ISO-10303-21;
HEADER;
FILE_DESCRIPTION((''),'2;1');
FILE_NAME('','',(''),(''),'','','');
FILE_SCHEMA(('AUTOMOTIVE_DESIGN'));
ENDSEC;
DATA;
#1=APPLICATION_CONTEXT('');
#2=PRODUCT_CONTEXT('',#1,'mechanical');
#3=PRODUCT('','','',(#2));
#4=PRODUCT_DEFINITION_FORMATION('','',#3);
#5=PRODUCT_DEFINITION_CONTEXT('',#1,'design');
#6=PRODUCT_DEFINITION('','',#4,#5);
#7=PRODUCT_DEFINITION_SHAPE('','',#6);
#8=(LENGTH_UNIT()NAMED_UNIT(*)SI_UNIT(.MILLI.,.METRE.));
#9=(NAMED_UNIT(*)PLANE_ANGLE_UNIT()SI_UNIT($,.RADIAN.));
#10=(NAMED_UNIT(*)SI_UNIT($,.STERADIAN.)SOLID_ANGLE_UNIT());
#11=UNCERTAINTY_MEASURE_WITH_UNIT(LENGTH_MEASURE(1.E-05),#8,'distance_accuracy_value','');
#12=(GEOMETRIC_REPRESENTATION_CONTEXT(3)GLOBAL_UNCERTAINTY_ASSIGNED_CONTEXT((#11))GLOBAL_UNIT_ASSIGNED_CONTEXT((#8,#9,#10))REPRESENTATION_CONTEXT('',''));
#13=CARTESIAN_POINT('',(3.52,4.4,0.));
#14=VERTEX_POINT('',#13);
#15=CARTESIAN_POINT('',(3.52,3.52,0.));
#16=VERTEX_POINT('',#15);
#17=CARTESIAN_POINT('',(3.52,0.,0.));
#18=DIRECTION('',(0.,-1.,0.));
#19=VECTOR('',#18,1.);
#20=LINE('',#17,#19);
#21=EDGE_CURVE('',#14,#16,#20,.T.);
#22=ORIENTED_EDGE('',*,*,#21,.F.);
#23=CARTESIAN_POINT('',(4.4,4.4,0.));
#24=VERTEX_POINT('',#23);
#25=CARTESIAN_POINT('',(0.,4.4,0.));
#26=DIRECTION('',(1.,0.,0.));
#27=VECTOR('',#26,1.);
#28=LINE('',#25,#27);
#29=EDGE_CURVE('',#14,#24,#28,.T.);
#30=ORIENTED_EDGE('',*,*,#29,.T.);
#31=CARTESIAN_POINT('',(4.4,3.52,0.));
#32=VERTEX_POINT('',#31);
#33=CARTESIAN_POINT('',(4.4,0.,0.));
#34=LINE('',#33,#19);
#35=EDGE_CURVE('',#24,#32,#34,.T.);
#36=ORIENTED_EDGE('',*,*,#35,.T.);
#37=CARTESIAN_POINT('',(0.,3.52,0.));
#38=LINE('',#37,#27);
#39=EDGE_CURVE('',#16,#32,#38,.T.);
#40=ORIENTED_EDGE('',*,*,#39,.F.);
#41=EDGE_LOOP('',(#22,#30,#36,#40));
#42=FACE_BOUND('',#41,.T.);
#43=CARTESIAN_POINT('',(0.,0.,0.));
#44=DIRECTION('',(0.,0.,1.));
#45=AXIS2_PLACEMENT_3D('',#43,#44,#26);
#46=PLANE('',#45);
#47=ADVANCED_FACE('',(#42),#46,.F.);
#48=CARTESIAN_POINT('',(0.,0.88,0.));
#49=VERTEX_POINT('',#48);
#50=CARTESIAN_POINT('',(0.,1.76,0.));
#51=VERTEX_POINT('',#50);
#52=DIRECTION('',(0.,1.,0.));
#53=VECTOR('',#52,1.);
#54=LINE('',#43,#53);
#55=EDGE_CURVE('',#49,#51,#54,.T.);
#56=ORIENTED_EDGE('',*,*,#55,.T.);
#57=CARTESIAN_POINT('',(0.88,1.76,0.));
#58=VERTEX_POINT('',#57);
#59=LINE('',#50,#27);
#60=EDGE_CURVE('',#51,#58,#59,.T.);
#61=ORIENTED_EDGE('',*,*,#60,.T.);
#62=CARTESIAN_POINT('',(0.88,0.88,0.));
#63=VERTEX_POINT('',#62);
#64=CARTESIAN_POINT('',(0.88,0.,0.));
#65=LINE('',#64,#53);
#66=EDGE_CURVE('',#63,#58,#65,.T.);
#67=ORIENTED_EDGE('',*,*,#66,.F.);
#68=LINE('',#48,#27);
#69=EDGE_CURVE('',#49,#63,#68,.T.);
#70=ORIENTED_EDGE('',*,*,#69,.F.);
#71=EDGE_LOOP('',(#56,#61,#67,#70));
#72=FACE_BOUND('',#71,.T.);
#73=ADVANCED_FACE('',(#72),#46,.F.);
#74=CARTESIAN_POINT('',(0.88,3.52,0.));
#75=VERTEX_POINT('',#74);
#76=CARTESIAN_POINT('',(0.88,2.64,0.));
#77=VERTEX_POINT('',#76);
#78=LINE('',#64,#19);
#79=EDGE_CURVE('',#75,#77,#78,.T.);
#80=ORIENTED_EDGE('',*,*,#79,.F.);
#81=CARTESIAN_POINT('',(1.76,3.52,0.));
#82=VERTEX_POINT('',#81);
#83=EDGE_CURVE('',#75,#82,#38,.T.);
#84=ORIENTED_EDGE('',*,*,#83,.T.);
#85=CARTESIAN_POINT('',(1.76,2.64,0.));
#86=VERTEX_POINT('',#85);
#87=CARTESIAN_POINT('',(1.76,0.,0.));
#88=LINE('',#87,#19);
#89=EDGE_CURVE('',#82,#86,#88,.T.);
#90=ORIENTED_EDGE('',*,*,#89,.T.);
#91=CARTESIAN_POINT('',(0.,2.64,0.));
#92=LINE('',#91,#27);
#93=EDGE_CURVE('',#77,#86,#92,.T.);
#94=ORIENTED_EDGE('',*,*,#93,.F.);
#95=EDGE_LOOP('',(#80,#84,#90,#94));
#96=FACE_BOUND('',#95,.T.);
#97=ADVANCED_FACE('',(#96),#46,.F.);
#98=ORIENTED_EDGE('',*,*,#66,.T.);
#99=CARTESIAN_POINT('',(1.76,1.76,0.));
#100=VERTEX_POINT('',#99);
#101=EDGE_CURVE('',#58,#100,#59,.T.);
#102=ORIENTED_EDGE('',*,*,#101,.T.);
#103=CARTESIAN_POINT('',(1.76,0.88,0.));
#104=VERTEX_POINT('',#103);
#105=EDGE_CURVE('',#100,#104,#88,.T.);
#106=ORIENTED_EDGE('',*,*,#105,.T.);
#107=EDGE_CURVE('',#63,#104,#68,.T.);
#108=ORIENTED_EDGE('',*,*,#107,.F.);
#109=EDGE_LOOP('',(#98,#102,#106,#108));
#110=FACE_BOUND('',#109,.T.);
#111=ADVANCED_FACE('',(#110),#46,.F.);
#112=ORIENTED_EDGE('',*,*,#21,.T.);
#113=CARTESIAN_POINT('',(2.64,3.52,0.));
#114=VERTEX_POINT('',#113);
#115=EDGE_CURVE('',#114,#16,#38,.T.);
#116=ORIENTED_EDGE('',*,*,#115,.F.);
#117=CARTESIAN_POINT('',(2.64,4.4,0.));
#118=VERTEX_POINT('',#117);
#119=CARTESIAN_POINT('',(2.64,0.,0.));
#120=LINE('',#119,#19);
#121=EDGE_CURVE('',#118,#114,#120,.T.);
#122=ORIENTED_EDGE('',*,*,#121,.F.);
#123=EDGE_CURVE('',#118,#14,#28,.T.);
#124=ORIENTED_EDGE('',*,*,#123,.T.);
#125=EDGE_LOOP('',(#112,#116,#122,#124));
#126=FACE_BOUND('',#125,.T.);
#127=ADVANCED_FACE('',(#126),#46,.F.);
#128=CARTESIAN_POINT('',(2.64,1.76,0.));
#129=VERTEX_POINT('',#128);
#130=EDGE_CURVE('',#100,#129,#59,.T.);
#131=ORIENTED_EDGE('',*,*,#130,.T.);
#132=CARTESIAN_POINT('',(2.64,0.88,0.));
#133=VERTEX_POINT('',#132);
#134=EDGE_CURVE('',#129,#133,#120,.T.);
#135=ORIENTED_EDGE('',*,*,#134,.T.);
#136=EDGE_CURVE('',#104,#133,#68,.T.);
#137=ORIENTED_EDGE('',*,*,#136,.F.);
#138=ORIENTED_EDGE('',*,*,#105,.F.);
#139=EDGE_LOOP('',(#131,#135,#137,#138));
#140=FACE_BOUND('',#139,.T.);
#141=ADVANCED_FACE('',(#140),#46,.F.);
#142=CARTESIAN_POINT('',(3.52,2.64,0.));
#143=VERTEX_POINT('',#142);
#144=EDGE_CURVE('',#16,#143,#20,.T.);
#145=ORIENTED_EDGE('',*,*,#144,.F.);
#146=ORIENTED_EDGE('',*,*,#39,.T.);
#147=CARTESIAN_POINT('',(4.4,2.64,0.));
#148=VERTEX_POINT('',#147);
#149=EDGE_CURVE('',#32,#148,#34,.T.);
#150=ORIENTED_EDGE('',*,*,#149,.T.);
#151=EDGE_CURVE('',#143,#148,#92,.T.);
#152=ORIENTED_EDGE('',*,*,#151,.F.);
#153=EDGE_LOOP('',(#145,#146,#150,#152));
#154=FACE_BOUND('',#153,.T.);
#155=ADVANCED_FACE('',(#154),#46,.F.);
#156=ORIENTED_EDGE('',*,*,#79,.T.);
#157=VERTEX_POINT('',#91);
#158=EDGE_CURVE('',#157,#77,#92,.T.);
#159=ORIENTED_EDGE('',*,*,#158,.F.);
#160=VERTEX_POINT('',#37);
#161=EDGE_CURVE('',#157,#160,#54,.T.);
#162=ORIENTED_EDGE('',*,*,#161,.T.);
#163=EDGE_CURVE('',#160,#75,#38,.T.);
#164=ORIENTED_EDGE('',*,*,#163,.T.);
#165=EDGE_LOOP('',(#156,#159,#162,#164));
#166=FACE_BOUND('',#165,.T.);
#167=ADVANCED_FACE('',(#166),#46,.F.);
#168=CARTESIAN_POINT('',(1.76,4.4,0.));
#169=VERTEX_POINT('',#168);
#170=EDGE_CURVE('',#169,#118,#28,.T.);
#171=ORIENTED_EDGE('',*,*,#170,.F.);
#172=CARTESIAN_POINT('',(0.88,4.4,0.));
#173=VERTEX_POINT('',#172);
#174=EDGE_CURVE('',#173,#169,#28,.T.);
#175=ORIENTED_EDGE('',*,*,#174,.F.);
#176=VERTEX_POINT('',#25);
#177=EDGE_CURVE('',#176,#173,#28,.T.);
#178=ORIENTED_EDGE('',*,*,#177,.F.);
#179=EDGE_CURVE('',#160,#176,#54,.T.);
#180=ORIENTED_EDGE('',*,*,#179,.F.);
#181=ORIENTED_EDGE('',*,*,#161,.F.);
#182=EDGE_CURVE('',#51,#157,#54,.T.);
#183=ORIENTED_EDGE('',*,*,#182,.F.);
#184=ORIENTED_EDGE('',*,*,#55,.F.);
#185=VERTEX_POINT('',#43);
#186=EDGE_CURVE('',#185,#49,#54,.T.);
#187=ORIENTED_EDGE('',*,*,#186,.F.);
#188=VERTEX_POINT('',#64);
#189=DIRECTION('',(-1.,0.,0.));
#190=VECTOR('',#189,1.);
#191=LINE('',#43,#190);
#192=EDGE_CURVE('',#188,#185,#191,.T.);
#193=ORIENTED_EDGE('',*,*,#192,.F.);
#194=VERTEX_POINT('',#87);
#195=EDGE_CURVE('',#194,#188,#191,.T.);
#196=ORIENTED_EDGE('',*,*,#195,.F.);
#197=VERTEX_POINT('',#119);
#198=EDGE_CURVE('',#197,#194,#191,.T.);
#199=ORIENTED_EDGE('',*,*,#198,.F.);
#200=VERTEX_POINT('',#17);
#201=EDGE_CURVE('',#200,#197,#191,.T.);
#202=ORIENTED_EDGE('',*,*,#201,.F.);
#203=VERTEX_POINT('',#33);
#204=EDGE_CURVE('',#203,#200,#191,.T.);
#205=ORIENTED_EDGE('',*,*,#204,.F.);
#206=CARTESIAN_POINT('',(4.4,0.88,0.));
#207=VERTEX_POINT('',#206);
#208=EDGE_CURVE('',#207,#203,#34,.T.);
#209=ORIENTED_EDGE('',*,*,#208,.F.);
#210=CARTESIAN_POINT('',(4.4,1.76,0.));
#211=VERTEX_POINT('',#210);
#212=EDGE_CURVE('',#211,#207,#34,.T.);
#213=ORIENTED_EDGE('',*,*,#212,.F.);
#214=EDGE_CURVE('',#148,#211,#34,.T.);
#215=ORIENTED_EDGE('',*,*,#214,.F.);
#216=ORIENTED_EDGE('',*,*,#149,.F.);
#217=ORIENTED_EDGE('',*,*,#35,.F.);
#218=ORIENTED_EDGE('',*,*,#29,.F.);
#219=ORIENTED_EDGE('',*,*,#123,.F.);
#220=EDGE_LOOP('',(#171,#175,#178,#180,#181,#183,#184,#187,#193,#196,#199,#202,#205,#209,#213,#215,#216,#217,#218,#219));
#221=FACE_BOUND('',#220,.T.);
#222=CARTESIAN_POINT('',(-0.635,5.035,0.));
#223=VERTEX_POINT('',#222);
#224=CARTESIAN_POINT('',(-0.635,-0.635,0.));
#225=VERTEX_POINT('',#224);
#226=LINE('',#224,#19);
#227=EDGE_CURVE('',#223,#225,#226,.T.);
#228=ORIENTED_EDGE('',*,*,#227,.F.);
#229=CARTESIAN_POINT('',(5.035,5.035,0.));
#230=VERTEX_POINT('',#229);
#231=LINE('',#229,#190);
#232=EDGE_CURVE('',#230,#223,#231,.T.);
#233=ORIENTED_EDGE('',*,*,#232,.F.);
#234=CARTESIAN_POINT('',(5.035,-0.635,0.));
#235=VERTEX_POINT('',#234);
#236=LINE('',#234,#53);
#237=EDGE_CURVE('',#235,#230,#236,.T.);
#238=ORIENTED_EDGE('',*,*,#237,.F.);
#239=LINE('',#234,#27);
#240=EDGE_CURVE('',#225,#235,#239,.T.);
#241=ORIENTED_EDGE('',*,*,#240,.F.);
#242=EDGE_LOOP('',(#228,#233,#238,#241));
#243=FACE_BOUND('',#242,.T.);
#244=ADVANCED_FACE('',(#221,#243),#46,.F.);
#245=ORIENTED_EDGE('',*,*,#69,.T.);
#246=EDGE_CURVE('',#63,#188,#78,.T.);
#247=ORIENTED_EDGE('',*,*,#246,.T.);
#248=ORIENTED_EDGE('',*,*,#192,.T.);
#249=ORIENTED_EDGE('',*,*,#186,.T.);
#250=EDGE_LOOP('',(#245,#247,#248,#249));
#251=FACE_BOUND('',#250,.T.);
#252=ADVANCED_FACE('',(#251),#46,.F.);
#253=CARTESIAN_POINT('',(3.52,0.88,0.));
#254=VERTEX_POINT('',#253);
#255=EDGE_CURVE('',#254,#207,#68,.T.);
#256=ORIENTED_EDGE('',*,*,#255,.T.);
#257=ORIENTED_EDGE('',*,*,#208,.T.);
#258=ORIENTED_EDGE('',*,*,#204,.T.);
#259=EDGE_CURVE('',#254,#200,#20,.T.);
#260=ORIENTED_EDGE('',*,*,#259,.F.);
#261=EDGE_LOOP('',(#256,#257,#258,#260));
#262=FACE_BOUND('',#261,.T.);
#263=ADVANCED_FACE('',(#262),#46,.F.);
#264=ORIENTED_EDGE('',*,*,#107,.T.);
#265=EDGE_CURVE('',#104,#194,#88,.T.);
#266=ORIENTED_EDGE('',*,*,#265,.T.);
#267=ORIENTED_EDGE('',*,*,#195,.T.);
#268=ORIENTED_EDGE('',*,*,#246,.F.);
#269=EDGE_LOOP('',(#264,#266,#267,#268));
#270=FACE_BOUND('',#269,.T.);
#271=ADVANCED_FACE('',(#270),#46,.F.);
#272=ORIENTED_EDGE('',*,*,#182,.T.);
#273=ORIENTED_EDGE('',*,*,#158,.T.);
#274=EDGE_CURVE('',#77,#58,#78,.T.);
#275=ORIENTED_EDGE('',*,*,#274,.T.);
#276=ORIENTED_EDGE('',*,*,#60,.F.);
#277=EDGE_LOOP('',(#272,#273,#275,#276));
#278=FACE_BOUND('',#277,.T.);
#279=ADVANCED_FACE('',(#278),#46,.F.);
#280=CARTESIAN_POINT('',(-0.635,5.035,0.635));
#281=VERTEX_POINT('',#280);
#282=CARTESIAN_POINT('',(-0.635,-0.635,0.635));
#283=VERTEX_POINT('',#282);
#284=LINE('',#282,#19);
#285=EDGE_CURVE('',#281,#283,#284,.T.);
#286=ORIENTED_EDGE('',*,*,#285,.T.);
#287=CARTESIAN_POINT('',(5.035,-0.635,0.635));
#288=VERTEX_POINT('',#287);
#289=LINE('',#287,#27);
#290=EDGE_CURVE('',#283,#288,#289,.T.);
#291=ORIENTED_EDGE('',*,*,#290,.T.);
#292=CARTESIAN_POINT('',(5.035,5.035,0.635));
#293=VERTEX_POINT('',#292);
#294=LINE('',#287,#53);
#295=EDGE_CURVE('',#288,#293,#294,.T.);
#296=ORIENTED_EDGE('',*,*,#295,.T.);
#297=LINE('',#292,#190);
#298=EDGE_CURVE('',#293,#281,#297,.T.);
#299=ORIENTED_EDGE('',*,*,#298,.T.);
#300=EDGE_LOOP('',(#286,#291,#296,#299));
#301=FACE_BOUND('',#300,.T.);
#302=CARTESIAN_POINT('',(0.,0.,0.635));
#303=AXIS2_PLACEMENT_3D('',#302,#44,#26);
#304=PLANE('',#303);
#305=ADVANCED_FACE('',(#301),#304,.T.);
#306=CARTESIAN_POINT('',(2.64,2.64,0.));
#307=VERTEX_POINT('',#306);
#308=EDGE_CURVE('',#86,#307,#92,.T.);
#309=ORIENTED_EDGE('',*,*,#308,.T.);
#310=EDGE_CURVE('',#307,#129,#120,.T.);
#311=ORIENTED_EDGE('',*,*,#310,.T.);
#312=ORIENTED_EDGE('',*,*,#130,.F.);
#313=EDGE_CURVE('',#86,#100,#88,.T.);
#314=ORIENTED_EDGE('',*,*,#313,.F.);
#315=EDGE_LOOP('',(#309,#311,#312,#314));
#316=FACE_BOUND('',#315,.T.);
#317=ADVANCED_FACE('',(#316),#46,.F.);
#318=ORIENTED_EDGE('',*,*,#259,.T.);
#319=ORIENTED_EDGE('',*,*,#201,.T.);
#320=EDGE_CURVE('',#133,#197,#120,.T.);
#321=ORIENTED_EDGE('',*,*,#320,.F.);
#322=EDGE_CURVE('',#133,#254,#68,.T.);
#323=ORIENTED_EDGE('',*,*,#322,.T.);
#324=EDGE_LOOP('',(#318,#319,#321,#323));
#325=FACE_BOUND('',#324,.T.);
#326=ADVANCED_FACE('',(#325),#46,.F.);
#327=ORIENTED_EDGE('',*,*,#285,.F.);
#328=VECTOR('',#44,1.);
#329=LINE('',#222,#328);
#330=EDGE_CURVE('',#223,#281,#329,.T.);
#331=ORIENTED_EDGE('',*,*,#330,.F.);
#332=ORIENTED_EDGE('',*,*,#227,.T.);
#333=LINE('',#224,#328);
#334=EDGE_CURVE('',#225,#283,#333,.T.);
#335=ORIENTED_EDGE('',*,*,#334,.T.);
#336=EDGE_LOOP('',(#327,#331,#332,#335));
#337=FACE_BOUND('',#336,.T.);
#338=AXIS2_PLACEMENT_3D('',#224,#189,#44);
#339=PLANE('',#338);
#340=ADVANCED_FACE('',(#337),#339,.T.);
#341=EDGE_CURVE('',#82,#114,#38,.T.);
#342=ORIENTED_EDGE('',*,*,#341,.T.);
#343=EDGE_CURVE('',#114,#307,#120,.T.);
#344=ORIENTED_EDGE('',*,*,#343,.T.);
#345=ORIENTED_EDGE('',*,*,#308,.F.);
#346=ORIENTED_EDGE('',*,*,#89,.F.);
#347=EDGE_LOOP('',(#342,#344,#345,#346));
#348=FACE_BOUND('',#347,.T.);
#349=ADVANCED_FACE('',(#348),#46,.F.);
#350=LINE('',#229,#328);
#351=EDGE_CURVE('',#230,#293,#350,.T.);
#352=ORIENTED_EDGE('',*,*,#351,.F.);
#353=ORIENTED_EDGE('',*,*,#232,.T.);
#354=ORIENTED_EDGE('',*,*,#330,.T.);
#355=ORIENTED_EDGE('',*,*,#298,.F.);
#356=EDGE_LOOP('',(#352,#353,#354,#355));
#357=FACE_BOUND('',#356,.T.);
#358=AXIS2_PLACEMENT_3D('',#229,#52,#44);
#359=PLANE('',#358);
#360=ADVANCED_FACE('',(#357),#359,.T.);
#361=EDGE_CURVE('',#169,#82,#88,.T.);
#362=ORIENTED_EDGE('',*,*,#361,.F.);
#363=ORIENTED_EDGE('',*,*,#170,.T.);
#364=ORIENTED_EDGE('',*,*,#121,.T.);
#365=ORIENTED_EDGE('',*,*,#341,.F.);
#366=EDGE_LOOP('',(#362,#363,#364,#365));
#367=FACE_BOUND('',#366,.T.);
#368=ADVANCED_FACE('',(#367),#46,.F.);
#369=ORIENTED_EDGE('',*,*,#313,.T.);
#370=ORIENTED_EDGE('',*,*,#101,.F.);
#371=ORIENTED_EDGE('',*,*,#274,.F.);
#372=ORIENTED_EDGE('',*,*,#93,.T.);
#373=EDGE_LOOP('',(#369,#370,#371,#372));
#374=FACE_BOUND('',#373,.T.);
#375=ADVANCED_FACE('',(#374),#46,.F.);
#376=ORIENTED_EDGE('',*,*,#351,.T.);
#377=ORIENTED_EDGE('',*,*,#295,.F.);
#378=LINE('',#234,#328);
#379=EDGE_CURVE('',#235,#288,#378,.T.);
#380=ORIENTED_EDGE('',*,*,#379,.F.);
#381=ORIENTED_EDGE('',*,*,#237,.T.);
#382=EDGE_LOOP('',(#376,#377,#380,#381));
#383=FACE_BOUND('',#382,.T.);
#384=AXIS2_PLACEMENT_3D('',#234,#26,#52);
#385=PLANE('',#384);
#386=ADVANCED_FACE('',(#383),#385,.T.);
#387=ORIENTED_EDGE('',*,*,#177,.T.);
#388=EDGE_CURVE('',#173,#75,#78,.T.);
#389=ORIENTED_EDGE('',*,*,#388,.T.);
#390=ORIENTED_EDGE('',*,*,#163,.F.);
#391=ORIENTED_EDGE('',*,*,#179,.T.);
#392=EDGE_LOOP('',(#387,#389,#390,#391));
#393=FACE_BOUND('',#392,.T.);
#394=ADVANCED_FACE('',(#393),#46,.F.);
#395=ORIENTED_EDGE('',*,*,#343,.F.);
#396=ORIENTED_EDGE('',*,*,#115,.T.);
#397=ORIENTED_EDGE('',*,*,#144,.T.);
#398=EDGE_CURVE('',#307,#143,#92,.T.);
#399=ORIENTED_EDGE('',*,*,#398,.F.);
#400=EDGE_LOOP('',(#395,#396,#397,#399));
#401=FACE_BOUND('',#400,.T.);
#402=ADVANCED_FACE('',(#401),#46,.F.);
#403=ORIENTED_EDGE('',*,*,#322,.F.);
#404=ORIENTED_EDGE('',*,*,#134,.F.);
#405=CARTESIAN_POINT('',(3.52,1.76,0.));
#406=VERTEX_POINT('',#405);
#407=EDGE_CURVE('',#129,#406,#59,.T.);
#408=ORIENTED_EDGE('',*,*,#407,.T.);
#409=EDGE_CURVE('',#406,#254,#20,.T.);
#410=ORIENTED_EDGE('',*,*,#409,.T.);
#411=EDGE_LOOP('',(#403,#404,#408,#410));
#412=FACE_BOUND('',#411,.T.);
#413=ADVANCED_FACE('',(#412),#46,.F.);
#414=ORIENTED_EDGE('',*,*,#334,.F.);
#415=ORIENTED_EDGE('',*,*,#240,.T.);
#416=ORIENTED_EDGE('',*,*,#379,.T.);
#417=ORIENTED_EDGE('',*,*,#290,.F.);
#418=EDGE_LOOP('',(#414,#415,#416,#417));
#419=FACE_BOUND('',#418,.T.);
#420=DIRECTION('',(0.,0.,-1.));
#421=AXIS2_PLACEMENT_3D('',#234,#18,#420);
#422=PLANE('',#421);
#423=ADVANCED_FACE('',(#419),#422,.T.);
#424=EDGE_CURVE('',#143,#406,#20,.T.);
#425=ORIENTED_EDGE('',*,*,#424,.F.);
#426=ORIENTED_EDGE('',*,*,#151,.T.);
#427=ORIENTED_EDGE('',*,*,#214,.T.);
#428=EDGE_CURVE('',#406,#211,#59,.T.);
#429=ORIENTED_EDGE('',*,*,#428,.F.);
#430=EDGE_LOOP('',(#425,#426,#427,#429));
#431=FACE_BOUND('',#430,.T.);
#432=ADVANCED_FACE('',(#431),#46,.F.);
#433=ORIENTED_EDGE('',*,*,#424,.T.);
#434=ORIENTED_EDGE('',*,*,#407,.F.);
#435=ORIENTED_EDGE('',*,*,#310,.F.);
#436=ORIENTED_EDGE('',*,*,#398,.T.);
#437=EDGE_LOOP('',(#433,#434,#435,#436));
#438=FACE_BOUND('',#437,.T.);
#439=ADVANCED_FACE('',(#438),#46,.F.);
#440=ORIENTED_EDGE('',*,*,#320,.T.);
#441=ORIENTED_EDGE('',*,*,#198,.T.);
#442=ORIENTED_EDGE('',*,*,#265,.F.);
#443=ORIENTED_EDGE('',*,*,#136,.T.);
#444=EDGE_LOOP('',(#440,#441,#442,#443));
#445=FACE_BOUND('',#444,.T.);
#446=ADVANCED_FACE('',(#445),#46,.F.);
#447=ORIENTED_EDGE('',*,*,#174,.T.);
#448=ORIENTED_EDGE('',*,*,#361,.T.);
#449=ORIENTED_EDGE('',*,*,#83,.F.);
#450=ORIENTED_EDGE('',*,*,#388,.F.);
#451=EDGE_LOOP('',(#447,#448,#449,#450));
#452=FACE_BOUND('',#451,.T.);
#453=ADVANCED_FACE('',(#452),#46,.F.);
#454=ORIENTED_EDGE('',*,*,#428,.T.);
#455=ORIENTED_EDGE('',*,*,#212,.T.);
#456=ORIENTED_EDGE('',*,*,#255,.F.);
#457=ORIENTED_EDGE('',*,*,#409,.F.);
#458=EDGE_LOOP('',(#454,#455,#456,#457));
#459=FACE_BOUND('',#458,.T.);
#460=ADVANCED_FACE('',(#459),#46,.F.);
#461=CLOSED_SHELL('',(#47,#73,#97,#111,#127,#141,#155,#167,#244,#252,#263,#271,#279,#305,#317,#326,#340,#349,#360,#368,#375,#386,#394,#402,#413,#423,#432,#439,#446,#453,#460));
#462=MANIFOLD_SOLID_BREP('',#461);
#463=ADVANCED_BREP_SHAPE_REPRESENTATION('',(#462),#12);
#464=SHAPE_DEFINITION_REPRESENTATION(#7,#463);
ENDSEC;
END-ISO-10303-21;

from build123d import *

# Parameters (mm, degrees)
BOSS_EXTRUDE2_DEPTH = 0.635
SKETCH8_W           = 5.67000009
SKETCH8_H           = 5.67000009
BOSS_EXTRUDE5_DEPTH = 0.635


with BuildPart() as part:
    # Sketch7 → Boss-Extrude2 (new body)
    with BuildSketch(Plane.XY):
        Polygon((0.880000018, 0.880000018), (0.880000018, 0), (3.520000072, 0), (3.520000072, 0.880000018), (4.40000009, 0.880000018), (4.40000009, 3.520000072), (3.520000072, 3.520000072), (3.520000072, 4.40000009), (0.880000018, 4.40000009), (0.880000018, 3.520000072), (0, 3.520000072), (0, 0.880000018), align=None)
    extrude(amount=BOSS_EXTRUDE2_DEPTH)

    # Sketch8 → Boss-Extrude5 (add)
    with BuildSketch(Plane.XY.offset(0.635)):
        with Locations((2.200000045, 2.200000045)):
            Rectangle(SKETCH8_W, SKETCH8_H)
    extrude(amount=-BOSS_EXTRUDE5_DEPTH)


solid = part.part
